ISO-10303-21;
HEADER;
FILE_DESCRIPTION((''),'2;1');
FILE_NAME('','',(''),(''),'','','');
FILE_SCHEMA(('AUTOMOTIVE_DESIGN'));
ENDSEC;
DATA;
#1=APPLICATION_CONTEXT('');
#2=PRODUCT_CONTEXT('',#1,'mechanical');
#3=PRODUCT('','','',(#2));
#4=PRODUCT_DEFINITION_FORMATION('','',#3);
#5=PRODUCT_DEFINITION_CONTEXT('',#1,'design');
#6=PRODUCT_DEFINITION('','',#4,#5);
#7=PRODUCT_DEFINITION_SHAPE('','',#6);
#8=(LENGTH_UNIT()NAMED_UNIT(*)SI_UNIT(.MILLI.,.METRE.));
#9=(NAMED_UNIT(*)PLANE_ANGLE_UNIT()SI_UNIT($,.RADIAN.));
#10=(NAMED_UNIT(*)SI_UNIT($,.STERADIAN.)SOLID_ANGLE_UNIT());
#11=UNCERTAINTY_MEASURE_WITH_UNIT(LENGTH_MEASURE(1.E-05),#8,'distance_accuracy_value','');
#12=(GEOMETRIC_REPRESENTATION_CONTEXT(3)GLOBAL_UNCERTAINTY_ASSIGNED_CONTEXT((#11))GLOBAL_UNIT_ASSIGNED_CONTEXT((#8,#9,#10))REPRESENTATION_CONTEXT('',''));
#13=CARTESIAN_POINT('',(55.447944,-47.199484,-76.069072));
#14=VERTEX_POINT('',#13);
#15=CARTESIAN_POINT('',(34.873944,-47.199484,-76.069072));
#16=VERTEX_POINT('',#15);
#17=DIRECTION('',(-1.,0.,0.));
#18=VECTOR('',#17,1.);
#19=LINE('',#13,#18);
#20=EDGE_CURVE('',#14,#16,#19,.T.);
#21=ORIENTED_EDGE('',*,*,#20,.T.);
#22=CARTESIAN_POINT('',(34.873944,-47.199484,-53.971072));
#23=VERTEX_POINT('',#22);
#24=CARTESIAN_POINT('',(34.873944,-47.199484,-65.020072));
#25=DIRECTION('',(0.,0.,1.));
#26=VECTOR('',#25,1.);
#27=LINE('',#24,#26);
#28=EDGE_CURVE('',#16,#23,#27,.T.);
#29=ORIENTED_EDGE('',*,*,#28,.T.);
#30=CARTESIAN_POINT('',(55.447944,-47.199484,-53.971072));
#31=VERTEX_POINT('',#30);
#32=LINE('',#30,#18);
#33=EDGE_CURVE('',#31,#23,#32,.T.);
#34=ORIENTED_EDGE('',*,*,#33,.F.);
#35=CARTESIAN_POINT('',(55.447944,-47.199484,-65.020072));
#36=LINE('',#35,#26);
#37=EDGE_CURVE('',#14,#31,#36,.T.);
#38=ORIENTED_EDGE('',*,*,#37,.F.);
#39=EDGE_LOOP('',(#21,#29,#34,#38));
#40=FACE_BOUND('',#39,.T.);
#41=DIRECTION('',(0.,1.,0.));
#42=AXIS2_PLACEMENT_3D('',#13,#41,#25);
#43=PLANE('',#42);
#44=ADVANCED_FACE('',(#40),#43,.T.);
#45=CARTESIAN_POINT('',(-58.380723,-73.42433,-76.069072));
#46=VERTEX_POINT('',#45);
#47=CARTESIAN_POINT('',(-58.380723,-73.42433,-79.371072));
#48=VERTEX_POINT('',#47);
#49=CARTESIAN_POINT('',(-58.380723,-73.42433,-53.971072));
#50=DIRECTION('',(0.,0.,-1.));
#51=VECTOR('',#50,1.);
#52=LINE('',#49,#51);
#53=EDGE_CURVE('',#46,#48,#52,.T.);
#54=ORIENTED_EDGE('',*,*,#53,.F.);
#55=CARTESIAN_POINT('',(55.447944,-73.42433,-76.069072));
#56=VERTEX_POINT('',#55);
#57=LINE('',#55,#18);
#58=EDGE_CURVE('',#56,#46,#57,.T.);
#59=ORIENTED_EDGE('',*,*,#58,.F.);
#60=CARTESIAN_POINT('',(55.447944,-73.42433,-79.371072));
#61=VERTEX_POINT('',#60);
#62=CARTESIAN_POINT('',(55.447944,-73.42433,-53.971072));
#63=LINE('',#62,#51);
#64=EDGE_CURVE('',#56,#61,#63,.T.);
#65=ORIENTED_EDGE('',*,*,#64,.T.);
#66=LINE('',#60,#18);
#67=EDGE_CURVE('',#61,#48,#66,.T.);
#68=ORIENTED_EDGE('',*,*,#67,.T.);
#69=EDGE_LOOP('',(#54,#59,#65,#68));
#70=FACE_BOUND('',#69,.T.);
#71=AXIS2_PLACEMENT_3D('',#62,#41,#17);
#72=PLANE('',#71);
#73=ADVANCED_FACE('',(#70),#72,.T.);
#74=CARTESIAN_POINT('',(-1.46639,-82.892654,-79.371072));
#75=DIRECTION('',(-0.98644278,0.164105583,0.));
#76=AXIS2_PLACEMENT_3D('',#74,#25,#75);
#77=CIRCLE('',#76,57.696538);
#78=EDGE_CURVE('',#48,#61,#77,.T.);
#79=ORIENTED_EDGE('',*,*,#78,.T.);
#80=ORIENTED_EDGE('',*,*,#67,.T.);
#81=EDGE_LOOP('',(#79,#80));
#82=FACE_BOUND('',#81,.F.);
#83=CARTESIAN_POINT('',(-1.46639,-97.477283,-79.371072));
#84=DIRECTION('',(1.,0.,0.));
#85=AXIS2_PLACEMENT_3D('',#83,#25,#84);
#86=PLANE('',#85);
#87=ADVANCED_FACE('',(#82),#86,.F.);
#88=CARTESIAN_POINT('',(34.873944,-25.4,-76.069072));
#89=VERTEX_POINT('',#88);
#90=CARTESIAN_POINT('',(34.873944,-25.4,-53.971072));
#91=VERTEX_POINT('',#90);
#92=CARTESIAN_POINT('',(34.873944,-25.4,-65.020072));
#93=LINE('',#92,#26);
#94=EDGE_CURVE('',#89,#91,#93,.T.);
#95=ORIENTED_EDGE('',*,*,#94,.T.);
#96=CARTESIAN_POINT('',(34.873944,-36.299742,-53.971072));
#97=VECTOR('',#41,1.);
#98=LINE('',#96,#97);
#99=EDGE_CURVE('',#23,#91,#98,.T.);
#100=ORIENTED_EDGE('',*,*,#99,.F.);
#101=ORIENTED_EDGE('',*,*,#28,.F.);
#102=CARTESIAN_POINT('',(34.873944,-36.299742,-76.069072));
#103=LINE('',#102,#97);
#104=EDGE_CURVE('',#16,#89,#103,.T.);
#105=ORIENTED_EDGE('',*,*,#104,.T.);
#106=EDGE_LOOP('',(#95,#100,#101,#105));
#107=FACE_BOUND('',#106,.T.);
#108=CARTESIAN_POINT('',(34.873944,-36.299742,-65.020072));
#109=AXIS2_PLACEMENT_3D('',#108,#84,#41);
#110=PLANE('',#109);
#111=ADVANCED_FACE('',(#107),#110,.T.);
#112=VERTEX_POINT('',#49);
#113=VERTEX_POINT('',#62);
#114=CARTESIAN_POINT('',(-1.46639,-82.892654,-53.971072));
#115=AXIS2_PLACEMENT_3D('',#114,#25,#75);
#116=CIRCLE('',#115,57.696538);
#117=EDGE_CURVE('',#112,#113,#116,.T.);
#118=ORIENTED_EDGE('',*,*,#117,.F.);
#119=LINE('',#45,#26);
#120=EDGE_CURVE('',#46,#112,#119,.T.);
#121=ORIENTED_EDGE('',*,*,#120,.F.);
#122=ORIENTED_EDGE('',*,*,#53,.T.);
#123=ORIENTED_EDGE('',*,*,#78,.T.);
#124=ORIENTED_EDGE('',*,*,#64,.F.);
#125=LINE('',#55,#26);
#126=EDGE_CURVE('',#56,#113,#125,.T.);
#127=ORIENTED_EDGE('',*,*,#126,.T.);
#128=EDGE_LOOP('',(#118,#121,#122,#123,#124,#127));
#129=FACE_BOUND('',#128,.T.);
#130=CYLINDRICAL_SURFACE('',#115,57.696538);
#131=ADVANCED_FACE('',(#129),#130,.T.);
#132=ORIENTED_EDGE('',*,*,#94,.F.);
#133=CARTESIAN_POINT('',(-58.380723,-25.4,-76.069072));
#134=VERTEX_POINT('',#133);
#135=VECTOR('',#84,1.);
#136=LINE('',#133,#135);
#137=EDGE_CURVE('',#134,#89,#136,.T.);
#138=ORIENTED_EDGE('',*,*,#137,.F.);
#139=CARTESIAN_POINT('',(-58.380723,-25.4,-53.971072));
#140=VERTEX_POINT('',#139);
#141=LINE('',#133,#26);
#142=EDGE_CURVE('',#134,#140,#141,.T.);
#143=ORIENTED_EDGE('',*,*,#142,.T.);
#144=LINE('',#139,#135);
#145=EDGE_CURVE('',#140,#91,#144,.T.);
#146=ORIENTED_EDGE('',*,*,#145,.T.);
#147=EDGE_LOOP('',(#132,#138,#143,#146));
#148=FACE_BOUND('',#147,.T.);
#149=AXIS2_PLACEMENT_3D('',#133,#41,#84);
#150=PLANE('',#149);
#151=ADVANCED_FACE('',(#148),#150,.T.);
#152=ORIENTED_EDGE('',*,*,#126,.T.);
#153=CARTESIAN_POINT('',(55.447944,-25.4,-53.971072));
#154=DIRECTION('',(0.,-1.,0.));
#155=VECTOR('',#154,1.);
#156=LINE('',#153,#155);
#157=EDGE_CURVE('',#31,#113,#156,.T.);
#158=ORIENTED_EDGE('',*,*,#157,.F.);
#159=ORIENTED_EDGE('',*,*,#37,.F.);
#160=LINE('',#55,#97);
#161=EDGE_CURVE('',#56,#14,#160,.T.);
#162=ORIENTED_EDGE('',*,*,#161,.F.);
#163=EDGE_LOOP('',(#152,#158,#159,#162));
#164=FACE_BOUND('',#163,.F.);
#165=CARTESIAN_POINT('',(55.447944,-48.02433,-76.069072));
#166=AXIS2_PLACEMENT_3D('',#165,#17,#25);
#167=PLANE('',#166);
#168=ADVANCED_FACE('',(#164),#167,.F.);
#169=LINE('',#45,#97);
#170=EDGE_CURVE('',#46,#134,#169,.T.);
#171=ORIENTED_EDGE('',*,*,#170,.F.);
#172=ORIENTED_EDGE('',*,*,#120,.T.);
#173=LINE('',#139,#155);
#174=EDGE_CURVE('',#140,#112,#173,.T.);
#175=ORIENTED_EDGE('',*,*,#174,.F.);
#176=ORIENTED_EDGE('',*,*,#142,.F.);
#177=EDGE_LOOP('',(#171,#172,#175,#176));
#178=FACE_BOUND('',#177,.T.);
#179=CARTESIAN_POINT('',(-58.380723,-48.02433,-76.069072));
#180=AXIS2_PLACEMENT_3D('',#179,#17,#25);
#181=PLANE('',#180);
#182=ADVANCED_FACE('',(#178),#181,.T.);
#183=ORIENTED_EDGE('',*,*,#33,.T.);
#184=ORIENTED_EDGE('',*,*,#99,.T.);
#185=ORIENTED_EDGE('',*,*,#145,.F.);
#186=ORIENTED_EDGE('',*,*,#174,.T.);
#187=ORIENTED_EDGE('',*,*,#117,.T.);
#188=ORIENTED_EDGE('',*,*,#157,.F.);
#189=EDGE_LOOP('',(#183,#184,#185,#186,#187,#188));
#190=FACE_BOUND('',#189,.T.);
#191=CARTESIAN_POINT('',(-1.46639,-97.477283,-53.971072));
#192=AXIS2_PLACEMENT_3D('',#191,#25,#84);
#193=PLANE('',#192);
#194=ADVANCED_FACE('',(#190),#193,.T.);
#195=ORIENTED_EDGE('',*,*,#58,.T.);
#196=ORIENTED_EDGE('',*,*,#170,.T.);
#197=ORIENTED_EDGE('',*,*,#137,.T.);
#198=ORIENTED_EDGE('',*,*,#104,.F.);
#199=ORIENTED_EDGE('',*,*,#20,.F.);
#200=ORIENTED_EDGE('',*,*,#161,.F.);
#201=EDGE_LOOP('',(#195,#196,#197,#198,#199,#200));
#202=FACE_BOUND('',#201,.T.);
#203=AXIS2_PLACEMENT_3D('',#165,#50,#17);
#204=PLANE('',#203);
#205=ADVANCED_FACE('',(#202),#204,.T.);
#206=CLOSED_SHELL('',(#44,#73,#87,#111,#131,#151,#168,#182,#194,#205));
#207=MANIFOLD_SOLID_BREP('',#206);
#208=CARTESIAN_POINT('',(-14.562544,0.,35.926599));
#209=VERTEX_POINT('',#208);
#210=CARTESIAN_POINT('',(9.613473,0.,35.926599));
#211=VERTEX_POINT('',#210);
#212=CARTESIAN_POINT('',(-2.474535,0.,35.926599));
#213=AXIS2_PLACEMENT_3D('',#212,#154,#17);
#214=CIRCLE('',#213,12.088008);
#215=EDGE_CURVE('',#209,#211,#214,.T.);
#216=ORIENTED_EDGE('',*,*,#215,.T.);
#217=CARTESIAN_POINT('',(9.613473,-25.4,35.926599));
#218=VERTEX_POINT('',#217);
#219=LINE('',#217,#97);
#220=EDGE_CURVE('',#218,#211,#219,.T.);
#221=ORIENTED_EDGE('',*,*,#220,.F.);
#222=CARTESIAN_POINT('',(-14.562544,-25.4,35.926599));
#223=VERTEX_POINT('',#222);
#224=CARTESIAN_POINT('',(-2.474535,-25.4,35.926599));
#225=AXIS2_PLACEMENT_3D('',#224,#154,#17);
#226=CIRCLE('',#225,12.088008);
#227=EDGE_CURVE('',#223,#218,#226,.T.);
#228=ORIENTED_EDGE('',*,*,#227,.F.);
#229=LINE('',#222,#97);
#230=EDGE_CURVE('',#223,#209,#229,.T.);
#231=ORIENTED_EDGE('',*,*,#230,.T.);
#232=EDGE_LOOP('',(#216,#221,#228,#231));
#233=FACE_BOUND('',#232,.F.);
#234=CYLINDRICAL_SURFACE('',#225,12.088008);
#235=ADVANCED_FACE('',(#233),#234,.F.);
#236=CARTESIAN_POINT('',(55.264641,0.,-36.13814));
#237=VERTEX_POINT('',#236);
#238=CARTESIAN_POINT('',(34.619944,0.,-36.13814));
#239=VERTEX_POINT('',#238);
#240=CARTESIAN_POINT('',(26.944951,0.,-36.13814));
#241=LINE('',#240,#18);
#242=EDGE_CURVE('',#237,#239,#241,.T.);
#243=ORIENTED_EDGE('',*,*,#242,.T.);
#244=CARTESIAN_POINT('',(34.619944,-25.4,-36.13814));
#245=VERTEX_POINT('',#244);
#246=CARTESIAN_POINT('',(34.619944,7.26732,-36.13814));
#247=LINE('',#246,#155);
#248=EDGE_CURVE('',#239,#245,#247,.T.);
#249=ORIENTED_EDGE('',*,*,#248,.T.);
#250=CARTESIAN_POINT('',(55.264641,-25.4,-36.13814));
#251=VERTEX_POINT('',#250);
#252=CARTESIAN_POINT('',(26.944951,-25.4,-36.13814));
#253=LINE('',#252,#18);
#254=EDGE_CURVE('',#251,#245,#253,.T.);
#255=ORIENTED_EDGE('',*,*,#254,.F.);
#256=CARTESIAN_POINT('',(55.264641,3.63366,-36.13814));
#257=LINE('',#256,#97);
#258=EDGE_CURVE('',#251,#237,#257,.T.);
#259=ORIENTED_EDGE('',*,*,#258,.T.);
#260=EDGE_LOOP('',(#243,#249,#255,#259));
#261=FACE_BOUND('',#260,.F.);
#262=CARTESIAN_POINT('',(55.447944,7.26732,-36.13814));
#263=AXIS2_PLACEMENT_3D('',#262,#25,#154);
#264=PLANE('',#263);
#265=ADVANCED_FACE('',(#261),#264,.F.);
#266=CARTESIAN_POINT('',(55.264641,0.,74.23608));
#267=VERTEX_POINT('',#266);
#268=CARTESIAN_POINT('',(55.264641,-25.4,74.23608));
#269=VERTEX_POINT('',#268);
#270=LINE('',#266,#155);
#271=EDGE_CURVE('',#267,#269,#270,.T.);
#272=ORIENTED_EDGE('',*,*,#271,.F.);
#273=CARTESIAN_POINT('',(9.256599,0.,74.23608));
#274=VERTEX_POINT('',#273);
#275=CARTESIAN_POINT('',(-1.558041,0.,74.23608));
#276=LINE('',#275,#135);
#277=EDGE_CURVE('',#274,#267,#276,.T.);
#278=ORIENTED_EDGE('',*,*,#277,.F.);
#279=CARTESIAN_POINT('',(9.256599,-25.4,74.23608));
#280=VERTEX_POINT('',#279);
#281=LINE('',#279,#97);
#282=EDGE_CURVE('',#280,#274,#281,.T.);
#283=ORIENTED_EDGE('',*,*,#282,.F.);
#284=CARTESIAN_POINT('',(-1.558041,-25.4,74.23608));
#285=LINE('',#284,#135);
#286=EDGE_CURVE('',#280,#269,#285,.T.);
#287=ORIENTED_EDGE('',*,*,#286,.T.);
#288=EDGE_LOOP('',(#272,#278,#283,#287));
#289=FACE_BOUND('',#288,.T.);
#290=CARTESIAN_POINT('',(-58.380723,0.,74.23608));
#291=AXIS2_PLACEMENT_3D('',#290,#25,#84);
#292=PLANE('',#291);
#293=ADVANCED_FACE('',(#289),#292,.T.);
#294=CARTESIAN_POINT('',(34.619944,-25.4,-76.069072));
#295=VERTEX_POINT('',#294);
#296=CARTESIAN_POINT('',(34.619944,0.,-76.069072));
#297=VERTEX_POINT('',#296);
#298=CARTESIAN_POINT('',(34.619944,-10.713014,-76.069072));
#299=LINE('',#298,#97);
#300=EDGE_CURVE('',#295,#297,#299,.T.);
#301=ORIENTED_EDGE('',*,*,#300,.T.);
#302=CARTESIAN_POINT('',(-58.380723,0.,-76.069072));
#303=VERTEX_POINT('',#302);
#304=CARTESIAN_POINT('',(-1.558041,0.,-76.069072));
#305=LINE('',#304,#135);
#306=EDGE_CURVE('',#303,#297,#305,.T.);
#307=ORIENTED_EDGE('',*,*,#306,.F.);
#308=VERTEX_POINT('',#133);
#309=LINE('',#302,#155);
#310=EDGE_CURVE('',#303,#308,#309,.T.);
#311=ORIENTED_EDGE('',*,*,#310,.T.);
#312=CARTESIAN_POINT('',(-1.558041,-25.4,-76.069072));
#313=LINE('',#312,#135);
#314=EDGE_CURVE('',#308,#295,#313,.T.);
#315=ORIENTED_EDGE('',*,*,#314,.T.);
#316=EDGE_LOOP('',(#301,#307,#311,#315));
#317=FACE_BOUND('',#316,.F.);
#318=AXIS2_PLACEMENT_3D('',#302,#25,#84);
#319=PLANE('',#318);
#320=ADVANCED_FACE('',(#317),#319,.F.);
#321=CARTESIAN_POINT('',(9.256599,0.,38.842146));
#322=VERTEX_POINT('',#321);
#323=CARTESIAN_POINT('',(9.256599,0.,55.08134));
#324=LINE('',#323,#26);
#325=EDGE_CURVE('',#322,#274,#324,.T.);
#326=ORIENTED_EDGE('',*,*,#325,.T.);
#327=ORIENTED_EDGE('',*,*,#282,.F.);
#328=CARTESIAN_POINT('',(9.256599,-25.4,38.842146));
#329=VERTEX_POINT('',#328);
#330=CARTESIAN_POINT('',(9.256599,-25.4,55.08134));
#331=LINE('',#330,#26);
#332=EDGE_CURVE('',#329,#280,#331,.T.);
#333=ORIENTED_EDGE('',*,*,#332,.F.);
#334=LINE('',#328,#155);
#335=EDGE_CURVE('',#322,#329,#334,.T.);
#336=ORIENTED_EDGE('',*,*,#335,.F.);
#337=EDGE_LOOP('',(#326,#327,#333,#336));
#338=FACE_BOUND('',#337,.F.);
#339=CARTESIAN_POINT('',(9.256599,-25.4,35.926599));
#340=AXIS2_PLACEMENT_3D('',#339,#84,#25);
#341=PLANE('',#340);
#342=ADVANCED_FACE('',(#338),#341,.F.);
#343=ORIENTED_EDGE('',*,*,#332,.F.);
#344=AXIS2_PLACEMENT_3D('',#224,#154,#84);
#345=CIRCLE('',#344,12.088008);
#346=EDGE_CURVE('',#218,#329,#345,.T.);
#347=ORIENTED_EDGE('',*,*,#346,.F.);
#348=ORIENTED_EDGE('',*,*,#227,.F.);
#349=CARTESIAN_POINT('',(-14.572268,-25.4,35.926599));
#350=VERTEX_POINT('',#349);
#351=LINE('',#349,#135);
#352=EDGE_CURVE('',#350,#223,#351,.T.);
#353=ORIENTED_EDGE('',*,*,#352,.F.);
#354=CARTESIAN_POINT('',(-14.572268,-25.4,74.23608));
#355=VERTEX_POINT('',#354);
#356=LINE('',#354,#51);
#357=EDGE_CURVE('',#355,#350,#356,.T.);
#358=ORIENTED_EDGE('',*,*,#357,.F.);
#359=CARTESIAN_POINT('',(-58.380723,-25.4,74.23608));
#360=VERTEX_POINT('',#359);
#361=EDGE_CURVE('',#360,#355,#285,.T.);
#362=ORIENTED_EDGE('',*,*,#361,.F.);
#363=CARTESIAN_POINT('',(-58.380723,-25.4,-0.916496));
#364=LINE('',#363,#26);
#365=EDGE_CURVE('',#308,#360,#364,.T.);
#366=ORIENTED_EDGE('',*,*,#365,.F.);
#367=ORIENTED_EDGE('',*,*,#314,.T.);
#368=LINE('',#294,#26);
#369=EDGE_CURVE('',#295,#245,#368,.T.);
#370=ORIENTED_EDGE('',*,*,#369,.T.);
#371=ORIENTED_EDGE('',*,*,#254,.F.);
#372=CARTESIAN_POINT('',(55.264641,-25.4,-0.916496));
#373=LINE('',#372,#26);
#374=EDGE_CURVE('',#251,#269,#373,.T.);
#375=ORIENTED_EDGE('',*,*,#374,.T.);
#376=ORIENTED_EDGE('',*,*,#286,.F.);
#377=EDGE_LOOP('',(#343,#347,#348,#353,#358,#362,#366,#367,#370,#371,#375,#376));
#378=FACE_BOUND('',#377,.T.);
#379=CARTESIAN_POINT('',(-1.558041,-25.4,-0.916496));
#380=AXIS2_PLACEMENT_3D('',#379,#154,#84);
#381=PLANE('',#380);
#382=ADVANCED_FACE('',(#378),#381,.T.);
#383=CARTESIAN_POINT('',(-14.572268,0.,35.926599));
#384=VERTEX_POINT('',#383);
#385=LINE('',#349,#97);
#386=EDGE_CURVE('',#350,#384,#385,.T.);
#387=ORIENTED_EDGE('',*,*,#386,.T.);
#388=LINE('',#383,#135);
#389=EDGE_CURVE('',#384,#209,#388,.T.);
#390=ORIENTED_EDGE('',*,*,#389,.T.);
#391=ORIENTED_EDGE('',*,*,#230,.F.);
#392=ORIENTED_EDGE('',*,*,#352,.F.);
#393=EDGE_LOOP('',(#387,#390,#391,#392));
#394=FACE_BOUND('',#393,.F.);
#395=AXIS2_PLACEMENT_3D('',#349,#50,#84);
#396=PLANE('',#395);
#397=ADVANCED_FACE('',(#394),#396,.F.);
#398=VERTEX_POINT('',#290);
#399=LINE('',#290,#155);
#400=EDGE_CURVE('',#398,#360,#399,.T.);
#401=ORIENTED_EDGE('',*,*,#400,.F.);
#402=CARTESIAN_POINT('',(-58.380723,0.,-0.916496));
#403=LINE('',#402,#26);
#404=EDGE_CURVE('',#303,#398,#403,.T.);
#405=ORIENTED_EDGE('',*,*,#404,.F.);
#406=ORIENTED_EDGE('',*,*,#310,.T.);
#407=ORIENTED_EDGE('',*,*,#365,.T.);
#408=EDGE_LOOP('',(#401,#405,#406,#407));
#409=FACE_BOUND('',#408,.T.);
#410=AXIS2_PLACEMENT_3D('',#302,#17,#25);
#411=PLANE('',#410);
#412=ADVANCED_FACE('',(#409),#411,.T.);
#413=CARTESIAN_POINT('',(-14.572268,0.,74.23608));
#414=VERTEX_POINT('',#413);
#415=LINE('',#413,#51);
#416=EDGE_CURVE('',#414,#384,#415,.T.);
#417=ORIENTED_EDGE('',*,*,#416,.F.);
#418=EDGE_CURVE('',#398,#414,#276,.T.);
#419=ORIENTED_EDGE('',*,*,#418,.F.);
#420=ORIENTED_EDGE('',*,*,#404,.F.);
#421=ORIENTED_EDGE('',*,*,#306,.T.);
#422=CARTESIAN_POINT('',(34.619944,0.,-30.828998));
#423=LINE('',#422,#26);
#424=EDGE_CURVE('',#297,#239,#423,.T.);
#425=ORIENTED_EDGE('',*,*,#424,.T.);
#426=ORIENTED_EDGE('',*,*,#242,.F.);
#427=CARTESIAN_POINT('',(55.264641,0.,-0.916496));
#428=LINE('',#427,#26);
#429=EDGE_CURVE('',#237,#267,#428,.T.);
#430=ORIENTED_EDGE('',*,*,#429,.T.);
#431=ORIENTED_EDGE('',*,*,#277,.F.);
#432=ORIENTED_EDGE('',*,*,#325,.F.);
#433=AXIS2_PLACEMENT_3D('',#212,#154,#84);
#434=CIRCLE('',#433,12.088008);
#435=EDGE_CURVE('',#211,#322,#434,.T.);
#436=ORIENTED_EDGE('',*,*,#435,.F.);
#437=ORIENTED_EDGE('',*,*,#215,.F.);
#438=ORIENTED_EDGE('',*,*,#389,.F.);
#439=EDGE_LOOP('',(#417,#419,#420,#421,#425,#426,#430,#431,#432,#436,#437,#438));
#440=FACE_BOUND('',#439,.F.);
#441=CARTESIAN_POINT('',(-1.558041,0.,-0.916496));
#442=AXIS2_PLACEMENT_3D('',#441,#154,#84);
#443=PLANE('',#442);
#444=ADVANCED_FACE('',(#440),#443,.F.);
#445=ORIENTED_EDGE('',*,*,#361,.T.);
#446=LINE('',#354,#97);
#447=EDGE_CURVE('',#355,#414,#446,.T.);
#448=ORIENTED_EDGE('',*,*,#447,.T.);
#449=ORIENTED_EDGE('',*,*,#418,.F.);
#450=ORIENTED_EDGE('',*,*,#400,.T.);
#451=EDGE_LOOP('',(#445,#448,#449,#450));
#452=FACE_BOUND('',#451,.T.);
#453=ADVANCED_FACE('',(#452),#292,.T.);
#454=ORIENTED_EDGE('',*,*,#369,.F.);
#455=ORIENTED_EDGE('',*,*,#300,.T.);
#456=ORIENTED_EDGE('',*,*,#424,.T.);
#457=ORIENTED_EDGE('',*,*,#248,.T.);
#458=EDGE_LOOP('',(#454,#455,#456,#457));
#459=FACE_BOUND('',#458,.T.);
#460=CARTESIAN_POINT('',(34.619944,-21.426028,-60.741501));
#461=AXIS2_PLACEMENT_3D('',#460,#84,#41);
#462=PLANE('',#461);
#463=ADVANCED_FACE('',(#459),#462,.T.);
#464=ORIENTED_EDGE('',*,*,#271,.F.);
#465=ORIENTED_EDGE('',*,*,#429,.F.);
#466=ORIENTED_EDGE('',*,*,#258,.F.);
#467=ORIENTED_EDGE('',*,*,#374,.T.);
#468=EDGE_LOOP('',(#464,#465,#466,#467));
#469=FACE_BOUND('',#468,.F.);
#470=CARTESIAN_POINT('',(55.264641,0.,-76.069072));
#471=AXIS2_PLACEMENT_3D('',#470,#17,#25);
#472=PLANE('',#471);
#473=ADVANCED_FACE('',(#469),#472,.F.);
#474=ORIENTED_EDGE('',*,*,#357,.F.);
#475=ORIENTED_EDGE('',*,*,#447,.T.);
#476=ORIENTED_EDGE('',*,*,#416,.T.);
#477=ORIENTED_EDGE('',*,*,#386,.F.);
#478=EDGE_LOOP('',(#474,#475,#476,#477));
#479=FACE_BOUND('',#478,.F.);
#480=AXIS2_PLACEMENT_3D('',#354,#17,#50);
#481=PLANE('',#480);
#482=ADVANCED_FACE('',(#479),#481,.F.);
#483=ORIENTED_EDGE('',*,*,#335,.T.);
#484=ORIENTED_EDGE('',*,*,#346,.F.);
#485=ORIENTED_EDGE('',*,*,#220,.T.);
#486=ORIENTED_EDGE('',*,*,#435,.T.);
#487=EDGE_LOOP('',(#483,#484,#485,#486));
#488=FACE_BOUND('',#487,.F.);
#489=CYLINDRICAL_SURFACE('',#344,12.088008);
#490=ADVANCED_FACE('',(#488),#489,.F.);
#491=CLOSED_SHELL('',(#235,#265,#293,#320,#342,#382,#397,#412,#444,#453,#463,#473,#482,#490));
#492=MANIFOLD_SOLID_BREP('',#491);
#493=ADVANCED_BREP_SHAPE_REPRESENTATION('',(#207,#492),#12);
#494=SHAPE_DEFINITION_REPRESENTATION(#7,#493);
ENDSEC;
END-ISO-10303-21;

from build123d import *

# Parameters (mm, degrees)
F0_W      = 113.6453635991
F0_H      = 150.3051519394
F1_DEPTH  = 25.4
F3_DEPTH  = 22.098
F4_DEPTH  = 25.4
F6_DEPTH  = 20.828
F7_W      = 21.7994839609
F7_H      = 22.098
F8_DEPTH  = 20.574
F10_DEPTH = 50.8
F12_DEPTH = 25.4
F11_W     = 12.0977328625
F11_H     = 38.3094809949
F11_W_2   = 11.7311349604
F13_DEPTH = 25.4
F15_DEPTH = 25.4


with BuildPart() as f1:
    # F0 (on Front) → F1 (new body)
    with BuildSketch(Plane.XZ):
        with Locations((-1.5580412, -0.9164959192)):
            Rectangle(F0_W, F0_H)
    extrude(amount=F1_DEPTH)

    # F5 (on face) → F6 (cut)
    with BuildSketch(Plane.YZ.offset(55.4479435086)):
        Polygon((7.267320063, -36.1381396651), (-48.2003502548, -36.1381396651), (-48.2003502548, -53.9710718889), (-25.4, -53.9710718889), (-25.4, -76.0690718889), (-48.2003502548, -76.0690718889), (-48.2003502548, -83.4465026855), (7.267320063, -83.4465026855), align=None)
    extrude(amount=-F6_DEPTH, mode=Mode.SUBTRACT)

    # F9 (on face) → F10 (cut)
    with BuildSketch(Plane.XZ.offset(25.4)):
        with BuildLine():
            Line((-2.4745354895, 35.9265990555), (9.6134727356, 35.9265990555))
            ThreePointArc((9.6134727356, 35.9265990555), (6.0729770975, 44.4741116425), (-2.4745354895, 48.0146072806))
            Line((-2.4745354895, 48.0146072806), (-2.4745354895, 35.9265990555))
        make_face()
        with BuildLine():
            Line((-2.4745354895, 35.9265990555), (-2.4745354895, 48.0146072806))
            ThreePointArc((-2.4745354895, 48.0146072806), (-11.0220480765, 44.4741116425), (-14.5625437145, 35.9265990555))
            Line((-14.5625437145, 35.9265990555), (-2.4745354895, 35.9265990555))
        make_face()
        with BuildLine():
            ThreePointArc((-14.5625437145, 35.9265990555), (-2.4745354895, 23.8385908304), (9.6134727356, 35.9265990555))
            Line((9.6134727356, 35.9265990555), (-2.4745354895, 35.9265990555))
            Line((-2.4745354895, 35.9265990555), (-14.5625437145, 35.9265990555))
        make_face()
    extrude(amount=-F10_DEPTH, mode=Mode.SUBTRACT)

    # F11 (on face) → F12 (cut)
    with BuildSketch(Plane.XZ.offset(25.4)):
        with BuildLine():
            Line((-14.5722683519, 35.9265990555), (-14.5625437145, 35.9265990555))
            ThreePointArc((-14.5625437145, 35.9265990555), (-11.0220480765, 44.4741116425), (-2.4745354895, 48.0146072806))
            Line((-2.4745354895, 48.0146072806), (-2.4745354895, 74.2360800505))
            Line((-2.4745354895, 74.2360800505), (-14.5722683519, 74.2360800505))
            Line((-14.5722683519, 74.2360800505), (-14.5722683519, 35.9265990555))
        make_face()
    extrude(amount=-F12_DEPTH, mode=Mode.SUBTRACT)

    # F11 (on face) → F13 (cut)
    with BuildSketch(Plane.XZ.offset(25.4)):
        with Locations((-8.5234019207, 55.081339553)):
            Rectangle(F11_W, F11_H)
        with Locations((3.3910319908, 55.081339553)):
            Rectangle(F11_W_2, F11_H)
    extrude(amount=-F13_DEPTH, mode=Mode.SUBTRACT)


with BuildPart() as f3:
    # F2 (on face) → F3 (new body)
    with BuildSketch(Plane(origin=(0, 0, -76.0690718889), x_dir=(1, 0, 0), z_dir=(0, 0, -1))):
        Polygon((-58.3807229996, 48.0243302882), (-58.3807229996, 25.4), (55.2646405995, 25.4), (55.4479435086, 25.4), (55.4479435086, 48.0243302882), align=None)
    extrude(amount=-F3_DEPTH)

    # F4 (add): a face of the model
    f4_faces = [f3.faces().sort_by_distance(p)[0] for p in [
        (-1.4663897455, -48.0243302882, -65.0200718889),
    ]]
    extrude(f4_faces, amount=F4_DEPTH)

    # F7 (on face) → F8 (cut)
    with BuildSketch(Plane.YZ.offset(55.4479435086)):
        with Locations((-36.2997419804, -65.0200718889)):
            Rectangle(F7_W, F7_H)
    extrude(amount=-F8_DEPTH, mode=Mode.SUBTRACT)

    # F14 (on face) → F15 (join)
    with BuildSketch(Plane.XY.offset(-53.9710718889)):
        with BuildLine():
            Line((55.4479435086, -73.4243302882), (-58.3807229996, -73.4243302882))
            ThreePointArc((-58.3807229996, -73.4243302882), (-1.4663897455, -140.5891922074), (55.4479435086, -73.4243302882))
        make_face()
    extrude(amount=-F15_DEPTH)


solid = Compound([f1.part, f3.part])
